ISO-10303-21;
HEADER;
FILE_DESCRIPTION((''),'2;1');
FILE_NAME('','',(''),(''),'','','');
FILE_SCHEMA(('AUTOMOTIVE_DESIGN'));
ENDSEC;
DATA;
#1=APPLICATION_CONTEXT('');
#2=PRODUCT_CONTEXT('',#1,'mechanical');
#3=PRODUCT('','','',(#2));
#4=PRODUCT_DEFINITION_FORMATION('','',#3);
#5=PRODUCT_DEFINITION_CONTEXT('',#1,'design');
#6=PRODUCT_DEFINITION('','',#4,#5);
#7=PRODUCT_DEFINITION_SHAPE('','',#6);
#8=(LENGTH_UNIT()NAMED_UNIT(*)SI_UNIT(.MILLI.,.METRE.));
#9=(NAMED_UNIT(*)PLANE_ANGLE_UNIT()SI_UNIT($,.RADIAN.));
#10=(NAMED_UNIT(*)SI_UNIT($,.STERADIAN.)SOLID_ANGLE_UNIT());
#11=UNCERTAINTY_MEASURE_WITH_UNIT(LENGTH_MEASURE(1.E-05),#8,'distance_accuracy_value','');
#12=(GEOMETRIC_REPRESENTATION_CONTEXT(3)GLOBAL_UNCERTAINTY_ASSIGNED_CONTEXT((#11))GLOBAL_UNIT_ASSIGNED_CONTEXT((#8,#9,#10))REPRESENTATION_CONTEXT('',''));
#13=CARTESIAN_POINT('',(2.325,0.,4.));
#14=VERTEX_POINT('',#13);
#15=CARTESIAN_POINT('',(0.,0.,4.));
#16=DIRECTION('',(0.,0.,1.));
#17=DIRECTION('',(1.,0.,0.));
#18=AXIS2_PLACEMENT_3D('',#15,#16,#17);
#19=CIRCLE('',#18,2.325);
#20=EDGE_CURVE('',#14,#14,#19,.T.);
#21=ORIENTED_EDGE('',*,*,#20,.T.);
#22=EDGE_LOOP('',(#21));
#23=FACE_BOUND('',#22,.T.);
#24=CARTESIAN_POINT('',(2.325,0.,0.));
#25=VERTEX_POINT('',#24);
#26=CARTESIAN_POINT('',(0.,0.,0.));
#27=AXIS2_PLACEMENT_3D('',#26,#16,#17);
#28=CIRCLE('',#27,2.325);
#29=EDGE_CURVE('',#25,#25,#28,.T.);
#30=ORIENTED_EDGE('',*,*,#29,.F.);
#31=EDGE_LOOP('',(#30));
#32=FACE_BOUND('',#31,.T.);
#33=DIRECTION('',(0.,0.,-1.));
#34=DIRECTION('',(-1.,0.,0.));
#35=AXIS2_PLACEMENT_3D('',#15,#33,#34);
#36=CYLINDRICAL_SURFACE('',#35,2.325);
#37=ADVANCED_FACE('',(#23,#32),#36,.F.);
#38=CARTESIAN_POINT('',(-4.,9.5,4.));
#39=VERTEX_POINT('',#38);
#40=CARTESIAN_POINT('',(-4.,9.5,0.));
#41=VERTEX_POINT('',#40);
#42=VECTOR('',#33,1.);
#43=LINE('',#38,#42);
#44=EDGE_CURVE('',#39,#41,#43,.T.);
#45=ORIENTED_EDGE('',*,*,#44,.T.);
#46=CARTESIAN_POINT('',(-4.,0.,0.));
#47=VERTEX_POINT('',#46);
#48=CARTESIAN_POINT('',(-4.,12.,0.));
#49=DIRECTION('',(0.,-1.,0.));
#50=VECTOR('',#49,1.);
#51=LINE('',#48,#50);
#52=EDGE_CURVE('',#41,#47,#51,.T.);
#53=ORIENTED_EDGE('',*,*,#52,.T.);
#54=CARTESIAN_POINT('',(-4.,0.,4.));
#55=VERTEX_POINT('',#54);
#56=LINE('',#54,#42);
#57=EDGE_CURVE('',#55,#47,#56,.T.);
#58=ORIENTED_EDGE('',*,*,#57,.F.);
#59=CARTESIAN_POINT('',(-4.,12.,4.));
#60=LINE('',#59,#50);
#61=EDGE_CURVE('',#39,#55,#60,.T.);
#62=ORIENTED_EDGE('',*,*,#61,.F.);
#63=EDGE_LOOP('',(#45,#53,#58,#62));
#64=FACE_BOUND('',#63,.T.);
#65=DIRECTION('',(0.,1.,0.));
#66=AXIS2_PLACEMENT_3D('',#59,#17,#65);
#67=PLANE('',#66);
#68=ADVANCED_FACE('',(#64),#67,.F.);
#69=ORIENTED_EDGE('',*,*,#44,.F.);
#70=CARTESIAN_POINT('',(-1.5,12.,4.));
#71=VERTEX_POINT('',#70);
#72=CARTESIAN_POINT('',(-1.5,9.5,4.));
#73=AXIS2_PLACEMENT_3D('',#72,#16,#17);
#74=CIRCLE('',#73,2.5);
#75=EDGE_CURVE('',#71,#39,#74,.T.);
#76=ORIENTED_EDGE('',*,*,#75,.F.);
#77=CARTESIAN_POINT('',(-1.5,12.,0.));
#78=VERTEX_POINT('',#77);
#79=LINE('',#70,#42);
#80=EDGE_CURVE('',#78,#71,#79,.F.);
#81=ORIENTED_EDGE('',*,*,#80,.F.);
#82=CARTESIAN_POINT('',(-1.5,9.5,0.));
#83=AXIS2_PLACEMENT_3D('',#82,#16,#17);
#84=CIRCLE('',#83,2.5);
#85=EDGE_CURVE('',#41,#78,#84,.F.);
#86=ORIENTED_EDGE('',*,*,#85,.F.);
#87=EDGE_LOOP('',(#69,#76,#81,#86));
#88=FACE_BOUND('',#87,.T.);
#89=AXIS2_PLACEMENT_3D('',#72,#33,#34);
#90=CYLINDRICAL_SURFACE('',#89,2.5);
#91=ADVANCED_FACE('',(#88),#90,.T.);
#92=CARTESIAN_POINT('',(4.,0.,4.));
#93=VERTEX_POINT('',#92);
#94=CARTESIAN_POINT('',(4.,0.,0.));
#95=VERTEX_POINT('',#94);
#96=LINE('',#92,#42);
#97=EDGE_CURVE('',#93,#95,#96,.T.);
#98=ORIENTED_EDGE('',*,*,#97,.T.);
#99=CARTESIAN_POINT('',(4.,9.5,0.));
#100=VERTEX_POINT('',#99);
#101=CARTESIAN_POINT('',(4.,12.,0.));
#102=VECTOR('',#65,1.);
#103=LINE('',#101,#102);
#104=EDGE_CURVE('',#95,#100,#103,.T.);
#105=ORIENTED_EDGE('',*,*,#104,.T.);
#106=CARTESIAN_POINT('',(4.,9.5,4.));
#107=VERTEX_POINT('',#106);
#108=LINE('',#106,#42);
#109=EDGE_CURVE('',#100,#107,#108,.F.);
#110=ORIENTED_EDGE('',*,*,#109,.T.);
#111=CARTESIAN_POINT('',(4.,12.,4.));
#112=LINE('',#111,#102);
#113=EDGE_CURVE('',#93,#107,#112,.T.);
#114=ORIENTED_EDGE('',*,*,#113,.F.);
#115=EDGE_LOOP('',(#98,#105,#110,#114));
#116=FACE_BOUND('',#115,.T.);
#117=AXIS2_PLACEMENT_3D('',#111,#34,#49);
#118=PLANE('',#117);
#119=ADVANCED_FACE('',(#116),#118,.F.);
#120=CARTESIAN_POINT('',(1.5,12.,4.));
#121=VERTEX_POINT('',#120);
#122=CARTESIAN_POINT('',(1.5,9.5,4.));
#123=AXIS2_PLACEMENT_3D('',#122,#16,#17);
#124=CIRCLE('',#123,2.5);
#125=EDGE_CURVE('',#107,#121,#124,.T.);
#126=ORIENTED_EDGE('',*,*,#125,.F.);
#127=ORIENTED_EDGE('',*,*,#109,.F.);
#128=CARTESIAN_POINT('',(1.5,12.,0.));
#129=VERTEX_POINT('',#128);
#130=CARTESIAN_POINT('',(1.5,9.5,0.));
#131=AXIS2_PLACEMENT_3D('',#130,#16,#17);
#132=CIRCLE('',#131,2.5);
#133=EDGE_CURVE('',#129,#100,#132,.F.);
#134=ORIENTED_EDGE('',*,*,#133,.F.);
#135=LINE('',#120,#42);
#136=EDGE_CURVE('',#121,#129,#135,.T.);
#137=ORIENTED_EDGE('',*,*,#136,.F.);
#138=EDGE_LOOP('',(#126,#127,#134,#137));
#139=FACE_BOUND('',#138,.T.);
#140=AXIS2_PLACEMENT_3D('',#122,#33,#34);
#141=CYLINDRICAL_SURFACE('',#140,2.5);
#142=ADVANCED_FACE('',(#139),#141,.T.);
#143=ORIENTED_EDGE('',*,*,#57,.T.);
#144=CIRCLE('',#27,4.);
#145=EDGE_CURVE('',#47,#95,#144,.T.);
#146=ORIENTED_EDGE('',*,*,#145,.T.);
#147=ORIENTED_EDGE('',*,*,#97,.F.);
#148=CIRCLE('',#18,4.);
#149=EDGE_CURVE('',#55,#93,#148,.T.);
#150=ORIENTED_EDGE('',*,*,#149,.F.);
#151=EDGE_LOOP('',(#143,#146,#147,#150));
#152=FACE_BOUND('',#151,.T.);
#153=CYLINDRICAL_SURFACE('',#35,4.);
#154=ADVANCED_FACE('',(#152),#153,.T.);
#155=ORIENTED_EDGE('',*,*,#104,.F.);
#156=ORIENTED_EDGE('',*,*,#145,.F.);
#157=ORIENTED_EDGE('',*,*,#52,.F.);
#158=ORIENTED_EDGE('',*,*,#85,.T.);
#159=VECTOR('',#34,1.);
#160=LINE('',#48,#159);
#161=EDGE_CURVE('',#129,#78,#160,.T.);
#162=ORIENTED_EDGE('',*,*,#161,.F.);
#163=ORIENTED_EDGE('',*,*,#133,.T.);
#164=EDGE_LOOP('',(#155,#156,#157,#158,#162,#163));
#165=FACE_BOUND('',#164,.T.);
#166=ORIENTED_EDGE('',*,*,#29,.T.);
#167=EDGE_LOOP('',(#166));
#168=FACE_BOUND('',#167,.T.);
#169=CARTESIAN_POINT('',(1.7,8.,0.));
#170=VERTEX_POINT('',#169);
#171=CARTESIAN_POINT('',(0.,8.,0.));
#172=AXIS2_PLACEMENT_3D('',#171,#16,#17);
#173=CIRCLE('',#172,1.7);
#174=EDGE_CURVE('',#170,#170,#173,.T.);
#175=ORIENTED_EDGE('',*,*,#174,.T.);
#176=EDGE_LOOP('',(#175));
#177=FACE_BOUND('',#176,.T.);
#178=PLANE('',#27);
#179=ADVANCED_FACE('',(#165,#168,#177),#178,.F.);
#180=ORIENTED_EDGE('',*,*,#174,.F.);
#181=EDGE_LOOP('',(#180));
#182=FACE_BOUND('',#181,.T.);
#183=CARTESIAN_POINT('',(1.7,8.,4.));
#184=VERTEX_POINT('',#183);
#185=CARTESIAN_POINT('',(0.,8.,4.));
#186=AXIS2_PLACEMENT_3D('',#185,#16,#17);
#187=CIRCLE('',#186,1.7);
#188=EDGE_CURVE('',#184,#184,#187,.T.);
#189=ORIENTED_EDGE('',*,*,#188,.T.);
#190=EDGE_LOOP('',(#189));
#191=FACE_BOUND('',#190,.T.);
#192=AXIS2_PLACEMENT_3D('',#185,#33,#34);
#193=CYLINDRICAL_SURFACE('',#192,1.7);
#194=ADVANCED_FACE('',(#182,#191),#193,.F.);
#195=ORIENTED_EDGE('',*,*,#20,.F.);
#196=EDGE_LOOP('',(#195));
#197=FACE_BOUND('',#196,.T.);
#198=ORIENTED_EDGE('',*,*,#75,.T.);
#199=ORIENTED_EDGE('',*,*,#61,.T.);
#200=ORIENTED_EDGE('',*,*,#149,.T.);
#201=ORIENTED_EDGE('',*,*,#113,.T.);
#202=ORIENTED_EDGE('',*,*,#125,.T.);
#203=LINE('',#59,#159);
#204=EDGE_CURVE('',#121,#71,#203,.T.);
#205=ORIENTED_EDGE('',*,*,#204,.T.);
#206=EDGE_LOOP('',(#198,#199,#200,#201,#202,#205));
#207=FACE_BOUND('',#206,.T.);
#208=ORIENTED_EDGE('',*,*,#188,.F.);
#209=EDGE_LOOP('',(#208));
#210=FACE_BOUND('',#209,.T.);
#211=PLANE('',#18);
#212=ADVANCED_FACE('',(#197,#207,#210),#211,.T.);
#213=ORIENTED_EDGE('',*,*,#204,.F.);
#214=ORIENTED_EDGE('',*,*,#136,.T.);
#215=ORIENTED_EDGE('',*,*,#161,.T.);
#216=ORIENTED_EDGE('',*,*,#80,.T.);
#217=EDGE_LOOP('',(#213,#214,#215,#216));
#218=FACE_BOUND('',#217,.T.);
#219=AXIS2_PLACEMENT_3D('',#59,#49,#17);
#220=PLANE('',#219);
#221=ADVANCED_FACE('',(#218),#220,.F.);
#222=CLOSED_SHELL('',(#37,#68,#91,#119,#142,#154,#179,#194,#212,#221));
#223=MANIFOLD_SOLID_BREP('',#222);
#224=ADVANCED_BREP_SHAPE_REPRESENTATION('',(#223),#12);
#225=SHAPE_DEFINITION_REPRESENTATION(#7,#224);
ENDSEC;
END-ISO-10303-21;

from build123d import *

# Parameters (mm, degrees)
SKETCH1_R           = 4
BOSS_EXTRUDE1_DEPTH = 4
SKETCH3_W           = 8
SKETCH3_H           = 12
BOSS_EXTRUDE2_DEPTH = 4
SKETCH2_R           = 2.325
CUT_EXTRUDE2_DEPTH  = 5
SKETCH4_R           = 1.7
CUT_EXTRUDE3_DEPTH  = 4
FILLET1_R           = 2.5


with BuildPart() as part:
    # Sketch1 → Boss-Extrude1 (new body)
    with BuildSketch(Plane.XY):
        Circle(SKETCH1_R)
    extrude(amount=BOSS_EXTRUDE1_DEPTH)

    # Sketch3 → Boss-Extrude2 (add)
    with BuildSketch(Plane.XY):
        with Locations((0, 6)):
            Rectangle(SKETCH3_W, SKETCH3_H)
    extrude(amount=BOSS_EXTRUDE2_DEPTH)

    # Sketch2 → Cut-Extrude2 (cut, through all)
    with BuildSketch(Plane.XY):
        Circle(SKETCH2_R)
    extrude(amount=CUT_EXTRUDE2_DEPTH, mode=Mode.SUBTRACT)

    # Sketch4 → Cut-Extrude3 (cut)
    with BuildSketch(Plane.XY):
        with Locations((0, 8)):
            Circle(SKETCH4_R)
    extrude(amount=CUT_EXTRUDE3_DEPTH, mode=Mode.SUBTRACT)

    # Fillet1
    fillet1_edges = [part.edges().sort_by_distance(p)[0] for p in [
        (4, 12, 2),
        (-4, 12, 2),
    ]]
    fillet(fillet1_edges, radius=FILLET1_R)


solid = part.part
